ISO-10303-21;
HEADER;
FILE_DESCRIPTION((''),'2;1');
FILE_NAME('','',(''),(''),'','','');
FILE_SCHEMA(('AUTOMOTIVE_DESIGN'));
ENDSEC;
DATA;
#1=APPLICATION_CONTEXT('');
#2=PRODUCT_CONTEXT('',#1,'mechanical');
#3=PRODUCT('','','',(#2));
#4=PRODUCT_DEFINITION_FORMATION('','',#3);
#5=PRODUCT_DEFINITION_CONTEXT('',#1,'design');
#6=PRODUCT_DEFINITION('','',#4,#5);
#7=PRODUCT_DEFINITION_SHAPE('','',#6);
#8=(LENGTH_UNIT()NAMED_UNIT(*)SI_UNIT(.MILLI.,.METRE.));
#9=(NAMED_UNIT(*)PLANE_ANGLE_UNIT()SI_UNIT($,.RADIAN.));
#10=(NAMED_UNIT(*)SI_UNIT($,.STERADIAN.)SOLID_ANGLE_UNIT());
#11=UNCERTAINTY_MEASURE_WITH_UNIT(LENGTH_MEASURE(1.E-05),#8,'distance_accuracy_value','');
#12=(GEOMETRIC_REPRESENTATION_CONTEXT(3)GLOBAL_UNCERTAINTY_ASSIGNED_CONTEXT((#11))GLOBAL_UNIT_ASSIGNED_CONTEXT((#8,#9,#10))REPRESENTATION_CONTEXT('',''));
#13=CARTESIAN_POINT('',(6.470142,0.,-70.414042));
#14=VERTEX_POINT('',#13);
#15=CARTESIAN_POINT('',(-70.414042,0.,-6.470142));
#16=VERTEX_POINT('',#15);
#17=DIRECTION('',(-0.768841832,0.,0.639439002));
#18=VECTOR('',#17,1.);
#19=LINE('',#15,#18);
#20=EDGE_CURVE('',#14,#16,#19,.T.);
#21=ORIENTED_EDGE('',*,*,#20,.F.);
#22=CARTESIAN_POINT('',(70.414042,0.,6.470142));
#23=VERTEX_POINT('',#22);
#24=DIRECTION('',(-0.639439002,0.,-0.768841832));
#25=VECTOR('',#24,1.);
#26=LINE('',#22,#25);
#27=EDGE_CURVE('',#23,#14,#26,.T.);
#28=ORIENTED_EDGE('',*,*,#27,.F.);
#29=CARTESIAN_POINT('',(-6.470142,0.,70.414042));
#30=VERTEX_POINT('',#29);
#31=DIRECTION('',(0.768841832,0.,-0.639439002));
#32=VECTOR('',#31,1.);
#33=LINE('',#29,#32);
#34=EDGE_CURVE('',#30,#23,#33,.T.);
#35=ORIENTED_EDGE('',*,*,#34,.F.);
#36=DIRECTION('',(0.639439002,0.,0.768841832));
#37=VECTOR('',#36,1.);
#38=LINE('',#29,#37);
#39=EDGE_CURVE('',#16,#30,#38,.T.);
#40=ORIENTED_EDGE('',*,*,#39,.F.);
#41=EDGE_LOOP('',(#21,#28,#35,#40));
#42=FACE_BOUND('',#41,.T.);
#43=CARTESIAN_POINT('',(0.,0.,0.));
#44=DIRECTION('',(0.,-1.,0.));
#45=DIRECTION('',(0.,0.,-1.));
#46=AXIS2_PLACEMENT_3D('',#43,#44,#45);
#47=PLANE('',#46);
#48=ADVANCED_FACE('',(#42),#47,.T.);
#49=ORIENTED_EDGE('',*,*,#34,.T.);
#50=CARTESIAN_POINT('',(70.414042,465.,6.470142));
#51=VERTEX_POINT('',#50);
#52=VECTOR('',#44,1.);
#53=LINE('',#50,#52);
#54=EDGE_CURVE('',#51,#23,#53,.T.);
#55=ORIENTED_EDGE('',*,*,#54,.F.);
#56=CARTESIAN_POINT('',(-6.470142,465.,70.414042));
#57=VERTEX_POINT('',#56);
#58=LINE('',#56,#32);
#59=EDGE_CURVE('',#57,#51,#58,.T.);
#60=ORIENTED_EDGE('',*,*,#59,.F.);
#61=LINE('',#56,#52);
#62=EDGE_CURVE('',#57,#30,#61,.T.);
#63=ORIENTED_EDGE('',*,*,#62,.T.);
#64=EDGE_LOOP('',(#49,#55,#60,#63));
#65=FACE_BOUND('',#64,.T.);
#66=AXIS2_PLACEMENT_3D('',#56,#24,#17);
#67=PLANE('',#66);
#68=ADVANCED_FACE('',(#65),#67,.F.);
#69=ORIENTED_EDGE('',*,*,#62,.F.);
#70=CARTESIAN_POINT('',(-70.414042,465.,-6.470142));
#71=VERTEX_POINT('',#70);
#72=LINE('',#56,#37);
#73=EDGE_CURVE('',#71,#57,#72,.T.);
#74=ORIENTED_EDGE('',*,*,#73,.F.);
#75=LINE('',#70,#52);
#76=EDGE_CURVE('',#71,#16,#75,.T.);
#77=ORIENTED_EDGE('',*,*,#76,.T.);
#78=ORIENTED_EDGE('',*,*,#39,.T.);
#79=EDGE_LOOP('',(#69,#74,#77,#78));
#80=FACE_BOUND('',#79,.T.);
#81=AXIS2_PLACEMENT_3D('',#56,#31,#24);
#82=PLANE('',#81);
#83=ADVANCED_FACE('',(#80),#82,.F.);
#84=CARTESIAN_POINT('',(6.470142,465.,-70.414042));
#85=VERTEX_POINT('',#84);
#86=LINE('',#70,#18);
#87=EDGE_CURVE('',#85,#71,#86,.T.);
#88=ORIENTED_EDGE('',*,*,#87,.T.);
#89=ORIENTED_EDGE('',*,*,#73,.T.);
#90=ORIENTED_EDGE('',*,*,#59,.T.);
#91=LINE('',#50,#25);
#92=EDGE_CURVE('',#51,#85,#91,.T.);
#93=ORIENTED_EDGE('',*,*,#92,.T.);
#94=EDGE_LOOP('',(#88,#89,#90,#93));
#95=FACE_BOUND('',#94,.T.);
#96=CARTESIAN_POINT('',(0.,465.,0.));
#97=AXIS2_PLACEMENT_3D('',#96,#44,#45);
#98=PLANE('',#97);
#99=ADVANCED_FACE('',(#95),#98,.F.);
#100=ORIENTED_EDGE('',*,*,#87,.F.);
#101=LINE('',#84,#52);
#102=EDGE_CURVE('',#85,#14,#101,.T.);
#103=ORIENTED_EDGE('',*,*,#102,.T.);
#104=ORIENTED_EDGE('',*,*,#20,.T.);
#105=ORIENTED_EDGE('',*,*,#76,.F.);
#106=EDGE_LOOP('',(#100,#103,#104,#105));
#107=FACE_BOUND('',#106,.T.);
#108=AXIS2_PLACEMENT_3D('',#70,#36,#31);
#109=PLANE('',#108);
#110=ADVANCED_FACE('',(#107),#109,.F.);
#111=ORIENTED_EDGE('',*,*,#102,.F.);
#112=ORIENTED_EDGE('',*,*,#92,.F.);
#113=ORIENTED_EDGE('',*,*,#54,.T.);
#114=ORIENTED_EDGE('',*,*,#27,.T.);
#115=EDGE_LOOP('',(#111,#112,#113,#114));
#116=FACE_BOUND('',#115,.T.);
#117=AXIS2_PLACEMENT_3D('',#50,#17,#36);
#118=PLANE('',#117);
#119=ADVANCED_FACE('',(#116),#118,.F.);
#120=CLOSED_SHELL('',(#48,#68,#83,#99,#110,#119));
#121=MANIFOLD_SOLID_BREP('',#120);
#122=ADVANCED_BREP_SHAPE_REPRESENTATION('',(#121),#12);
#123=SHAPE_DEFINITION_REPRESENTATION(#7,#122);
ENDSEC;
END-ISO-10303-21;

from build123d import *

# Parameters (mm, degrees)
BOSS_EXTRU_1_DEPTH = 465


with BuildPart() as part:
    # Esquisse1 → Boss.-Extru.1 (new body)
    with BuildSketch(Plane(origin=(0, 0, 0), x_dir=(1, 0, 0), z_dir=(0, 1, 0))):
        Polygon((-6.470141505, -70.414041703), (70.414041703, -6.470141505), (6.470141505, 70.414041703), (-70.414041703, 6.470141505), align=None)
    extrude(amount=BOSS_EXTRU_1_DEPTH)


solid = part.part
